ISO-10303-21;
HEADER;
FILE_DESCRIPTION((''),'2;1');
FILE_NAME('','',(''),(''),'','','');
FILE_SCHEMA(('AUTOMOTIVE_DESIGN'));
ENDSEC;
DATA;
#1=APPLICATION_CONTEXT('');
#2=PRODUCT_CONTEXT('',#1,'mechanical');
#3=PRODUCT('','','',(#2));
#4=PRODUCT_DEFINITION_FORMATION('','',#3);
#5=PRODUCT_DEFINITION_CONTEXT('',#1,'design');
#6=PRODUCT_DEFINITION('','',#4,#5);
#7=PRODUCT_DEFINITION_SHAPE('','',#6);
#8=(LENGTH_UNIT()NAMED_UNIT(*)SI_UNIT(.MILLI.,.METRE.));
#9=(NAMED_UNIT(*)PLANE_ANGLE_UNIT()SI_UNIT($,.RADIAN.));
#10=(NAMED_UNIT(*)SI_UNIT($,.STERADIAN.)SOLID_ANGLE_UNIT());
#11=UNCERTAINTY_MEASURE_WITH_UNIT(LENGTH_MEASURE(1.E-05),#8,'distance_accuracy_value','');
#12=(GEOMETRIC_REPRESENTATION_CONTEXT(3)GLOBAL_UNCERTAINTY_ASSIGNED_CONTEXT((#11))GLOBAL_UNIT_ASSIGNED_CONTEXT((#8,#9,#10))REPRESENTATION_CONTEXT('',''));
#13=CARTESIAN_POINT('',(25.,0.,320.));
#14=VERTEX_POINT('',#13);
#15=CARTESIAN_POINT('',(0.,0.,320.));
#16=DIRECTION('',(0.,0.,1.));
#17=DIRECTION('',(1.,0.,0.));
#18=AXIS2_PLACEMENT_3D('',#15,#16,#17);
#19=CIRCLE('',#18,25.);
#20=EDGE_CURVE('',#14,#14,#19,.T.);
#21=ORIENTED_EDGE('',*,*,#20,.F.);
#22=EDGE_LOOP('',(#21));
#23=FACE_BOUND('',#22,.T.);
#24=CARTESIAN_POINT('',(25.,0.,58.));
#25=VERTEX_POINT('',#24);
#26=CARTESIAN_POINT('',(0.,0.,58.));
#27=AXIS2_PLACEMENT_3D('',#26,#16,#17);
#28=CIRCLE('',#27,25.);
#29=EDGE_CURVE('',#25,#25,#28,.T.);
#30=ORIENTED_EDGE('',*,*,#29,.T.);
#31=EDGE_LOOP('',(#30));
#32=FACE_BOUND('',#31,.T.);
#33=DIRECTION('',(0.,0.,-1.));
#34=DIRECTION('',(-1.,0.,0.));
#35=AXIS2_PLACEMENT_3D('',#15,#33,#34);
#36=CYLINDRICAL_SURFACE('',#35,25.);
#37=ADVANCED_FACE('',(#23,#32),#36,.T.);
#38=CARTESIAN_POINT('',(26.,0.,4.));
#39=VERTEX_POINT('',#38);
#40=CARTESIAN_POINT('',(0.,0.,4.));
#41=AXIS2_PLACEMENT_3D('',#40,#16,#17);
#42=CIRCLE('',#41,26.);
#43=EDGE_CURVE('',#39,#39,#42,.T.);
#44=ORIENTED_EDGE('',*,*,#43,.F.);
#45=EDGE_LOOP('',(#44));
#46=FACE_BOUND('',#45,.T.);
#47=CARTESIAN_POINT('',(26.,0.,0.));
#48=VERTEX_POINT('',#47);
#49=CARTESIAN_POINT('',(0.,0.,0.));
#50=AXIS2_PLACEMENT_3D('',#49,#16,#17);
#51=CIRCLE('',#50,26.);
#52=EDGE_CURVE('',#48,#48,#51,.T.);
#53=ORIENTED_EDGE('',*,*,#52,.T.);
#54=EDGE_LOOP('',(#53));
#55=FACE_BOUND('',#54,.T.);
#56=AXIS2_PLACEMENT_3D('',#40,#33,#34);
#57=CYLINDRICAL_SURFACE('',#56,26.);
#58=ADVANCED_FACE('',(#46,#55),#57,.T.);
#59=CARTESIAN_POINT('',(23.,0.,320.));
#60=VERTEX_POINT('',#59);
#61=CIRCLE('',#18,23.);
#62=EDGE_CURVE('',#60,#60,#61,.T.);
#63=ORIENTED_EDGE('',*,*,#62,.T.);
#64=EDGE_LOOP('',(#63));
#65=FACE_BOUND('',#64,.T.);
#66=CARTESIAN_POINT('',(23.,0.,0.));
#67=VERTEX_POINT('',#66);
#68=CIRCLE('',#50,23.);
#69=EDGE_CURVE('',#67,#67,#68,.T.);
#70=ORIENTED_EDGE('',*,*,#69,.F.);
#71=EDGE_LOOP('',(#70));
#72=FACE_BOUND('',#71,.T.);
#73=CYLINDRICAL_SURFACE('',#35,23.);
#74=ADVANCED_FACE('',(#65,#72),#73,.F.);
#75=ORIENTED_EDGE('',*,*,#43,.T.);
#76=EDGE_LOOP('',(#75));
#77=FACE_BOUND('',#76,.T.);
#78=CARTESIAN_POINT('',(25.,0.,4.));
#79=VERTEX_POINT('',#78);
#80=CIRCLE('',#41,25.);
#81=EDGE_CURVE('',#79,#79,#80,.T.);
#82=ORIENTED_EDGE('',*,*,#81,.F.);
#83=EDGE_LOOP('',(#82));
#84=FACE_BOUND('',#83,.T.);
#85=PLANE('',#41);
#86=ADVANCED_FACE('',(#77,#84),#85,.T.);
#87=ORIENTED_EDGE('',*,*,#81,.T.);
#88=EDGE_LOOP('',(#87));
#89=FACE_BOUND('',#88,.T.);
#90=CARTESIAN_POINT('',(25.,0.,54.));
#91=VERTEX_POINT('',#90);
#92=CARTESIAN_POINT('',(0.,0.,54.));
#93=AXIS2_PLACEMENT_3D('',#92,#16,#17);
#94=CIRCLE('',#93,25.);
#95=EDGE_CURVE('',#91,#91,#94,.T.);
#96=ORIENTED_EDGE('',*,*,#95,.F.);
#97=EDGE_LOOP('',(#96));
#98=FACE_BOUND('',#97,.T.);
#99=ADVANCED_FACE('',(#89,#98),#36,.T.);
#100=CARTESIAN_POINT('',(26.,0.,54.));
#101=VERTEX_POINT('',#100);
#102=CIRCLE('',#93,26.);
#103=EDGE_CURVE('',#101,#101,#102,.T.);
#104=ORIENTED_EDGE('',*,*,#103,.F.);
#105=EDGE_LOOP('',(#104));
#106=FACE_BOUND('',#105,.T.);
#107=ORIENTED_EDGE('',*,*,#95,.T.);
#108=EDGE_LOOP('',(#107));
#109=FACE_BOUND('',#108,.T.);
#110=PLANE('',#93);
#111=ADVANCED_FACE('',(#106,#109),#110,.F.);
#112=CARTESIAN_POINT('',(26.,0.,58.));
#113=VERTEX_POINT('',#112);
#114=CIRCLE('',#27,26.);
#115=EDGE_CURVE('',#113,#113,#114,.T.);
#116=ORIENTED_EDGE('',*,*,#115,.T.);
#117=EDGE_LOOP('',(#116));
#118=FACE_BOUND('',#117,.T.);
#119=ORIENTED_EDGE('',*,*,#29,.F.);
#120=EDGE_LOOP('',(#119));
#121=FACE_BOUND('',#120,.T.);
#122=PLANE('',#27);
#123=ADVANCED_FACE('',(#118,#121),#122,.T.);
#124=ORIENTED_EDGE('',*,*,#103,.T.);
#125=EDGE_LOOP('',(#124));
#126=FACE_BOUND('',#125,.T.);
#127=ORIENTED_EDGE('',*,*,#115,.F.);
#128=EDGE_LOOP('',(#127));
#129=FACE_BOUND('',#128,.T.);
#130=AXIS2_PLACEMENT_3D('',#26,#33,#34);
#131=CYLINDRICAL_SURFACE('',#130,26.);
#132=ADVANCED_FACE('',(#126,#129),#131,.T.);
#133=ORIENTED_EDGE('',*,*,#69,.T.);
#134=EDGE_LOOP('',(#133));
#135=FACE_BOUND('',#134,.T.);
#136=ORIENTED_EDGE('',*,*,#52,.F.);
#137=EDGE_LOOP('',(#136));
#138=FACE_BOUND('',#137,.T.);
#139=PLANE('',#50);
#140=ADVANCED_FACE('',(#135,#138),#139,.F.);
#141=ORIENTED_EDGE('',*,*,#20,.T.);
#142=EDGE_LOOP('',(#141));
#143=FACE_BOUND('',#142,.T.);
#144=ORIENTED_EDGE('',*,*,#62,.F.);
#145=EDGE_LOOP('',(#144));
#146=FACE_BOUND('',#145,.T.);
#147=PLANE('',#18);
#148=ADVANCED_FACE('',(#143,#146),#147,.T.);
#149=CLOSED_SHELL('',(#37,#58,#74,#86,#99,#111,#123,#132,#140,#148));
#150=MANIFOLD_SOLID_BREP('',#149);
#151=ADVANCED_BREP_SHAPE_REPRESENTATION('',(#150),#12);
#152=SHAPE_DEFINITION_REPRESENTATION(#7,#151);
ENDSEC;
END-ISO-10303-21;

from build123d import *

# Parameters (mm, degrees)
SKETCH2_R           = 25
SKETCH2_R_2         = 23
BOSS_EXTRUDE1_DEPTH = 320
BOSS_EXTRUDE2_START = 54
SKETCH2_3_R         = 26
SKETCH2_3_R_2       = 25
BOSS_EXTRUDE2_DEPTH = 4
SKETCH2_4_R         = 26
SKETCH2_4_R_2       = 25
BOSS_EXTRUDE3_DEPTH = 4


with BuildPart() as part:
    # Sketch2 → Boss-Extrude1 (new body)
    with BuildSketch(Plane.XY):
        Circle(SKETCH2_R)
        Circle(SKETCH2_R_2, mode=Mode.SUBTRACT)
    extrude(amount=BOSS_EXTRUDE1_DEPTH)

    # Sketch2<3> → Boss-Extrude2 (add)
    with BuildSketch(Plane.XY.offset(BOSS_EXTRUDE2_START)):
        Circle(SKETCH2_3_R)
        Circle(SKETCH2_3_R_2, mode=Mode.SUBTRACT)
    extrude(amount=BOSS_EXTRUDE2_DEPTH)

    # Sketch2<4> → Boss-Extrude3 (add)
    with BuildSketch(Plane.XY):
        Circle(SKETCH2_4_R)
        Circle(SKETCH2_4_R_2, mode=Mode.SUBTRACT)
    extrude(amount=BOSS_EXTRUDE3_DEPTH)


solid = part.part
